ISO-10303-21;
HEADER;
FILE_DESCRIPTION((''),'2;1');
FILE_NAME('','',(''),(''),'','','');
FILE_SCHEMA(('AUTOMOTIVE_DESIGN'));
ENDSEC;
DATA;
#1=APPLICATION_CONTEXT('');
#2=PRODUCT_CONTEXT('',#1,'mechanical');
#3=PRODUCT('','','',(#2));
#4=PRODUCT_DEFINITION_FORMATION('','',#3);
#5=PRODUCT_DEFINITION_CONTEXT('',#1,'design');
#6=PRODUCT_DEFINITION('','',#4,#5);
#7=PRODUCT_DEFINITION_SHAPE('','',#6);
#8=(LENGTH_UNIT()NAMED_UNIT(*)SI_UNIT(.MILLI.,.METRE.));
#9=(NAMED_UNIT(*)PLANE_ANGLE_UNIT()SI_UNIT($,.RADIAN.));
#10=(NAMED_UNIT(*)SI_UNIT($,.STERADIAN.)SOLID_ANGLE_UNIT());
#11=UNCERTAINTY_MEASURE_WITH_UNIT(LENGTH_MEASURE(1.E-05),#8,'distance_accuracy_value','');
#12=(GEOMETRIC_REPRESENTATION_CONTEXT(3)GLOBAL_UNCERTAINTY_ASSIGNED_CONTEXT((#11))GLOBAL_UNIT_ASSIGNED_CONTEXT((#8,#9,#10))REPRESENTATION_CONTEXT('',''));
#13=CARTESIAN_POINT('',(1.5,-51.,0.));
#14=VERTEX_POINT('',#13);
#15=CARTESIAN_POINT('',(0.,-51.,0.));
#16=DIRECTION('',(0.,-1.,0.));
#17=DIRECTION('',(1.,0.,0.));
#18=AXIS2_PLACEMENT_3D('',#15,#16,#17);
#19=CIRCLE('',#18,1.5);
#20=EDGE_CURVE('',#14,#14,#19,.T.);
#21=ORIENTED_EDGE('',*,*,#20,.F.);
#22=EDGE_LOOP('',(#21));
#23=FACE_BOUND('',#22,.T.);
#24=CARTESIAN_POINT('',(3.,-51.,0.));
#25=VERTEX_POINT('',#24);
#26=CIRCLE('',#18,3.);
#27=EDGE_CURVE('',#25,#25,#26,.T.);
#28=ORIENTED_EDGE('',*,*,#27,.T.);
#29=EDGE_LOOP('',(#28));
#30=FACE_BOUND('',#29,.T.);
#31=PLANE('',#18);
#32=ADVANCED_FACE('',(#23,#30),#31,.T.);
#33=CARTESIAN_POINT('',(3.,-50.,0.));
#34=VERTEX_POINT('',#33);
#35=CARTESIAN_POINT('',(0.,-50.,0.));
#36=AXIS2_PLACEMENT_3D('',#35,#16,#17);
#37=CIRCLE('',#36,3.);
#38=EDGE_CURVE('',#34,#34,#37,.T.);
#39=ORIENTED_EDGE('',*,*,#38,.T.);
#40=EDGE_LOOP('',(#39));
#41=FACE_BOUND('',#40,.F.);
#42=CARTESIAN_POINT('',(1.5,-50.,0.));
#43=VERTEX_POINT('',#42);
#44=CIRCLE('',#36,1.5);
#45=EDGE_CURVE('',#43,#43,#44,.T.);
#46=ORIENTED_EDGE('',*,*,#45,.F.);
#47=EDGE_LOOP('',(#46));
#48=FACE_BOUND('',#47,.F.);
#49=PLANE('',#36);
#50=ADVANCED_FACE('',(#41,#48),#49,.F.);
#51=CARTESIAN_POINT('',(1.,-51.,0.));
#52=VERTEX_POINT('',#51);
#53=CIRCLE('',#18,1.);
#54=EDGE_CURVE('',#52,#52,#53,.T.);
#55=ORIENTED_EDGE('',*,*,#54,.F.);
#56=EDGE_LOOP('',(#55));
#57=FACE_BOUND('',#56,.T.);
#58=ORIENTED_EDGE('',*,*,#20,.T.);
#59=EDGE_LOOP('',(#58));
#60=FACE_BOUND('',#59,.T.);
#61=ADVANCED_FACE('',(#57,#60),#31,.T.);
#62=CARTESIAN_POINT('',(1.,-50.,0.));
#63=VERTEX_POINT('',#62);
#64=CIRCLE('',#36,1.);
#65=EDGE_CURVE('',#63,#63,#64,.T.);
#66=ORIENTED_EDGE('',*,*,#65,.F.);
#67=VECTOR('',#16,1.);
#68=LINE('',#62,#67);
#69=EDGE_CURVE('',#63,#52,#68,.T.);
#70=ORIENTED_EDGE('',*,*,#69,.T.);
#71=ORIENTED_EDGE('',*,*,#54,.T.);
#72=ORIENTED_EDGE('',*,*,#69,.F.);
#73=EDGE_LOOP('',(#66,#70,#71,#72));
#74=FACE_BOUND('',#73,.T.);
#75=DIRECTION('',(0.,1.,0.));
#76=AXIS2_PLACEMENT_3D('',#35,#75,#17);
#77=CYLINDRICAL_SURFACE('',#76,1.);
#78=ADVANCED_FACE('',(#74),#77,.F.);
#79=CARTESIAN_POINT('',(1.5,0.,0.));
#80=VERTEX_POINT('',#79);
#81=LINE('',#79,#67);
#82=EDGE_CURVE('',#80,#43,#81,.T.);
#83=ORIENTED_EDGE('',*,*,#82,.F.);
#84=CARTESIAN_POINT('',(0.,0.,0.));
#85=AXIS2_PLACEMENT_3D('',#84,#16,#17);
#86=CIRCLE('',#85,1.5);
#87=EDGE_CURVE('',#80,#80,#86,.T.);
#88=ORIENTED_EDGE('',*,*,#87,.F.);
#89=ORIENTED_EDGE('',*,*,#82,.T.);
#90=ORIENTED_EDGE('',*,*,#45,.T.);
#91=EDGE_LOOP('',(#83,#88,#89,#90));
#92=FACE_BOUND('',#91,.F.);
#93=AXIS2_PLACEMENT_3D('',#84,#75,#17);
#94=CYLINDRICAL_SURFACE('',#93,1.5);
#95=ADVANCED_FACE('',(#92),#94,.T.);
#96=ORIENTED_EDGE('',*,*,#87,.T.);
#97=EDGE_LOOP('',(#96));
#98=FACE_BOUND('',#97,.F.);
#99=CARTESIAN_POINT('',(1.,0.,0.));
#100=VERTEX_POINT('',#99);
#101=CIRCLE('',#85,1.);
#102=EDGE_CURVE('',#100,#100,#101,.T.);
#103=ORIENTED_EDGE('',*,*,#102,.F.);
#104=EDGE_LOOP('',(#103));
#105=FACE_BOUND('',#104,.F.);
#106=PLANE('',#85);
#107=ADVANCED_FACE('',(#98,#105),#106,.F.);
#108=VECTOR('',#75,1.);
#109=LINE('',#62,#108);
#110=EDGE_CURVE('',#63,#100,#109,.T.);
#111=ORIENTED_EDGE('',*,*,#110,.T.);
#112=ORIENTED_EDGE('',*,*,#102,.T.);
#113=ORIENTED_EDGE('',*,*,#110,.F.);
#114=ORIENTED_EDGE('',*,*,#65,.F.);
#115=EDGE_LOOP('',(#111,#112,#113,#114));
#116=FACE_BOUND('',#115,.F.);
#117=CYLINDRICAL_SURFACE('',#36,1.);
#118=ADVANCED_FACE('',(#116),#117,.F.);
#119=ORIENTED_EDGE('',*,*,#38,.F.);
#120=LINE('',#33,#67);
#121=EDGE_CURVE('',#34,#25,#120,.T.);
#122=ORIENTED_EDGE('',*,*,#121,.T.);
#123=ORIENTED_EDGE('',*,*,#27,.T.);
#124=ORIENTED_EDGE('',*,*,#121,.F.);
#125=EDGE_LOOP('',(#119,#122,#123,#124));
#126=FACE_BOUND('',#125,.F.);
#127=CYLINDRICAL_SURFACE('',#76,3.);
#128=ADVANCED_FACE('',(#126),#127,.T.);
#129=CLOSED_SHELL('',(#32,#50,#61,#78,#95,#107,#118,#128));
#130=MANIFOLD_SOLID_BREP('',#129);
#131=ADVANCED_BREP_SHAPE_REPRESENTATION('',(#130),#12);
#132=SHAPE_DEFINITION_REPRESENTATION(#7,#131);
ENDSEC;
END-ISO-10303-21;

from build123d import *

# Parameters (mm, degrees)
F0_R     = 1.5
F1_DEPTH = 50
F2_R     = 1
F3_DEPTH = 50.001
F4_R     = 1.5
F4_R_2   = 1
F5_R     = 3
F5_R_2   = 1.5
F6_DEPTH = 1


with BuildPart() as f1:
    # F0 (on Front) → F1 (new body)
    with BuildSketch(Plane.XZ):
        Circle(F0_R)
    extrude(amount=F1_DEPTH)

    # F2 (on face) → F3 (cut, through all)
    with BuildSketch(Plane.XZ.offset(50)):
        Circle(F2_R)
    extrude(amount=-F3_DEPTH, mode=Mode.SUBTRACT)

    # F4 (on face) + F5 (on face) → F6 (join)
    with BuildSketch(Plane.XZ.offset(50)):
        Circle(F4_R)
        Circle(F4_R_2, mode=Mode.SUBTRACT)
    with BuildSketch(Plane.XZ.offset(50)):
        Circle(F5_R)
        Circle(F5_R_2, mode=Mode.SUBTRACT)
    extrude(amount=F6_DEPTH)


solid = f1.part
